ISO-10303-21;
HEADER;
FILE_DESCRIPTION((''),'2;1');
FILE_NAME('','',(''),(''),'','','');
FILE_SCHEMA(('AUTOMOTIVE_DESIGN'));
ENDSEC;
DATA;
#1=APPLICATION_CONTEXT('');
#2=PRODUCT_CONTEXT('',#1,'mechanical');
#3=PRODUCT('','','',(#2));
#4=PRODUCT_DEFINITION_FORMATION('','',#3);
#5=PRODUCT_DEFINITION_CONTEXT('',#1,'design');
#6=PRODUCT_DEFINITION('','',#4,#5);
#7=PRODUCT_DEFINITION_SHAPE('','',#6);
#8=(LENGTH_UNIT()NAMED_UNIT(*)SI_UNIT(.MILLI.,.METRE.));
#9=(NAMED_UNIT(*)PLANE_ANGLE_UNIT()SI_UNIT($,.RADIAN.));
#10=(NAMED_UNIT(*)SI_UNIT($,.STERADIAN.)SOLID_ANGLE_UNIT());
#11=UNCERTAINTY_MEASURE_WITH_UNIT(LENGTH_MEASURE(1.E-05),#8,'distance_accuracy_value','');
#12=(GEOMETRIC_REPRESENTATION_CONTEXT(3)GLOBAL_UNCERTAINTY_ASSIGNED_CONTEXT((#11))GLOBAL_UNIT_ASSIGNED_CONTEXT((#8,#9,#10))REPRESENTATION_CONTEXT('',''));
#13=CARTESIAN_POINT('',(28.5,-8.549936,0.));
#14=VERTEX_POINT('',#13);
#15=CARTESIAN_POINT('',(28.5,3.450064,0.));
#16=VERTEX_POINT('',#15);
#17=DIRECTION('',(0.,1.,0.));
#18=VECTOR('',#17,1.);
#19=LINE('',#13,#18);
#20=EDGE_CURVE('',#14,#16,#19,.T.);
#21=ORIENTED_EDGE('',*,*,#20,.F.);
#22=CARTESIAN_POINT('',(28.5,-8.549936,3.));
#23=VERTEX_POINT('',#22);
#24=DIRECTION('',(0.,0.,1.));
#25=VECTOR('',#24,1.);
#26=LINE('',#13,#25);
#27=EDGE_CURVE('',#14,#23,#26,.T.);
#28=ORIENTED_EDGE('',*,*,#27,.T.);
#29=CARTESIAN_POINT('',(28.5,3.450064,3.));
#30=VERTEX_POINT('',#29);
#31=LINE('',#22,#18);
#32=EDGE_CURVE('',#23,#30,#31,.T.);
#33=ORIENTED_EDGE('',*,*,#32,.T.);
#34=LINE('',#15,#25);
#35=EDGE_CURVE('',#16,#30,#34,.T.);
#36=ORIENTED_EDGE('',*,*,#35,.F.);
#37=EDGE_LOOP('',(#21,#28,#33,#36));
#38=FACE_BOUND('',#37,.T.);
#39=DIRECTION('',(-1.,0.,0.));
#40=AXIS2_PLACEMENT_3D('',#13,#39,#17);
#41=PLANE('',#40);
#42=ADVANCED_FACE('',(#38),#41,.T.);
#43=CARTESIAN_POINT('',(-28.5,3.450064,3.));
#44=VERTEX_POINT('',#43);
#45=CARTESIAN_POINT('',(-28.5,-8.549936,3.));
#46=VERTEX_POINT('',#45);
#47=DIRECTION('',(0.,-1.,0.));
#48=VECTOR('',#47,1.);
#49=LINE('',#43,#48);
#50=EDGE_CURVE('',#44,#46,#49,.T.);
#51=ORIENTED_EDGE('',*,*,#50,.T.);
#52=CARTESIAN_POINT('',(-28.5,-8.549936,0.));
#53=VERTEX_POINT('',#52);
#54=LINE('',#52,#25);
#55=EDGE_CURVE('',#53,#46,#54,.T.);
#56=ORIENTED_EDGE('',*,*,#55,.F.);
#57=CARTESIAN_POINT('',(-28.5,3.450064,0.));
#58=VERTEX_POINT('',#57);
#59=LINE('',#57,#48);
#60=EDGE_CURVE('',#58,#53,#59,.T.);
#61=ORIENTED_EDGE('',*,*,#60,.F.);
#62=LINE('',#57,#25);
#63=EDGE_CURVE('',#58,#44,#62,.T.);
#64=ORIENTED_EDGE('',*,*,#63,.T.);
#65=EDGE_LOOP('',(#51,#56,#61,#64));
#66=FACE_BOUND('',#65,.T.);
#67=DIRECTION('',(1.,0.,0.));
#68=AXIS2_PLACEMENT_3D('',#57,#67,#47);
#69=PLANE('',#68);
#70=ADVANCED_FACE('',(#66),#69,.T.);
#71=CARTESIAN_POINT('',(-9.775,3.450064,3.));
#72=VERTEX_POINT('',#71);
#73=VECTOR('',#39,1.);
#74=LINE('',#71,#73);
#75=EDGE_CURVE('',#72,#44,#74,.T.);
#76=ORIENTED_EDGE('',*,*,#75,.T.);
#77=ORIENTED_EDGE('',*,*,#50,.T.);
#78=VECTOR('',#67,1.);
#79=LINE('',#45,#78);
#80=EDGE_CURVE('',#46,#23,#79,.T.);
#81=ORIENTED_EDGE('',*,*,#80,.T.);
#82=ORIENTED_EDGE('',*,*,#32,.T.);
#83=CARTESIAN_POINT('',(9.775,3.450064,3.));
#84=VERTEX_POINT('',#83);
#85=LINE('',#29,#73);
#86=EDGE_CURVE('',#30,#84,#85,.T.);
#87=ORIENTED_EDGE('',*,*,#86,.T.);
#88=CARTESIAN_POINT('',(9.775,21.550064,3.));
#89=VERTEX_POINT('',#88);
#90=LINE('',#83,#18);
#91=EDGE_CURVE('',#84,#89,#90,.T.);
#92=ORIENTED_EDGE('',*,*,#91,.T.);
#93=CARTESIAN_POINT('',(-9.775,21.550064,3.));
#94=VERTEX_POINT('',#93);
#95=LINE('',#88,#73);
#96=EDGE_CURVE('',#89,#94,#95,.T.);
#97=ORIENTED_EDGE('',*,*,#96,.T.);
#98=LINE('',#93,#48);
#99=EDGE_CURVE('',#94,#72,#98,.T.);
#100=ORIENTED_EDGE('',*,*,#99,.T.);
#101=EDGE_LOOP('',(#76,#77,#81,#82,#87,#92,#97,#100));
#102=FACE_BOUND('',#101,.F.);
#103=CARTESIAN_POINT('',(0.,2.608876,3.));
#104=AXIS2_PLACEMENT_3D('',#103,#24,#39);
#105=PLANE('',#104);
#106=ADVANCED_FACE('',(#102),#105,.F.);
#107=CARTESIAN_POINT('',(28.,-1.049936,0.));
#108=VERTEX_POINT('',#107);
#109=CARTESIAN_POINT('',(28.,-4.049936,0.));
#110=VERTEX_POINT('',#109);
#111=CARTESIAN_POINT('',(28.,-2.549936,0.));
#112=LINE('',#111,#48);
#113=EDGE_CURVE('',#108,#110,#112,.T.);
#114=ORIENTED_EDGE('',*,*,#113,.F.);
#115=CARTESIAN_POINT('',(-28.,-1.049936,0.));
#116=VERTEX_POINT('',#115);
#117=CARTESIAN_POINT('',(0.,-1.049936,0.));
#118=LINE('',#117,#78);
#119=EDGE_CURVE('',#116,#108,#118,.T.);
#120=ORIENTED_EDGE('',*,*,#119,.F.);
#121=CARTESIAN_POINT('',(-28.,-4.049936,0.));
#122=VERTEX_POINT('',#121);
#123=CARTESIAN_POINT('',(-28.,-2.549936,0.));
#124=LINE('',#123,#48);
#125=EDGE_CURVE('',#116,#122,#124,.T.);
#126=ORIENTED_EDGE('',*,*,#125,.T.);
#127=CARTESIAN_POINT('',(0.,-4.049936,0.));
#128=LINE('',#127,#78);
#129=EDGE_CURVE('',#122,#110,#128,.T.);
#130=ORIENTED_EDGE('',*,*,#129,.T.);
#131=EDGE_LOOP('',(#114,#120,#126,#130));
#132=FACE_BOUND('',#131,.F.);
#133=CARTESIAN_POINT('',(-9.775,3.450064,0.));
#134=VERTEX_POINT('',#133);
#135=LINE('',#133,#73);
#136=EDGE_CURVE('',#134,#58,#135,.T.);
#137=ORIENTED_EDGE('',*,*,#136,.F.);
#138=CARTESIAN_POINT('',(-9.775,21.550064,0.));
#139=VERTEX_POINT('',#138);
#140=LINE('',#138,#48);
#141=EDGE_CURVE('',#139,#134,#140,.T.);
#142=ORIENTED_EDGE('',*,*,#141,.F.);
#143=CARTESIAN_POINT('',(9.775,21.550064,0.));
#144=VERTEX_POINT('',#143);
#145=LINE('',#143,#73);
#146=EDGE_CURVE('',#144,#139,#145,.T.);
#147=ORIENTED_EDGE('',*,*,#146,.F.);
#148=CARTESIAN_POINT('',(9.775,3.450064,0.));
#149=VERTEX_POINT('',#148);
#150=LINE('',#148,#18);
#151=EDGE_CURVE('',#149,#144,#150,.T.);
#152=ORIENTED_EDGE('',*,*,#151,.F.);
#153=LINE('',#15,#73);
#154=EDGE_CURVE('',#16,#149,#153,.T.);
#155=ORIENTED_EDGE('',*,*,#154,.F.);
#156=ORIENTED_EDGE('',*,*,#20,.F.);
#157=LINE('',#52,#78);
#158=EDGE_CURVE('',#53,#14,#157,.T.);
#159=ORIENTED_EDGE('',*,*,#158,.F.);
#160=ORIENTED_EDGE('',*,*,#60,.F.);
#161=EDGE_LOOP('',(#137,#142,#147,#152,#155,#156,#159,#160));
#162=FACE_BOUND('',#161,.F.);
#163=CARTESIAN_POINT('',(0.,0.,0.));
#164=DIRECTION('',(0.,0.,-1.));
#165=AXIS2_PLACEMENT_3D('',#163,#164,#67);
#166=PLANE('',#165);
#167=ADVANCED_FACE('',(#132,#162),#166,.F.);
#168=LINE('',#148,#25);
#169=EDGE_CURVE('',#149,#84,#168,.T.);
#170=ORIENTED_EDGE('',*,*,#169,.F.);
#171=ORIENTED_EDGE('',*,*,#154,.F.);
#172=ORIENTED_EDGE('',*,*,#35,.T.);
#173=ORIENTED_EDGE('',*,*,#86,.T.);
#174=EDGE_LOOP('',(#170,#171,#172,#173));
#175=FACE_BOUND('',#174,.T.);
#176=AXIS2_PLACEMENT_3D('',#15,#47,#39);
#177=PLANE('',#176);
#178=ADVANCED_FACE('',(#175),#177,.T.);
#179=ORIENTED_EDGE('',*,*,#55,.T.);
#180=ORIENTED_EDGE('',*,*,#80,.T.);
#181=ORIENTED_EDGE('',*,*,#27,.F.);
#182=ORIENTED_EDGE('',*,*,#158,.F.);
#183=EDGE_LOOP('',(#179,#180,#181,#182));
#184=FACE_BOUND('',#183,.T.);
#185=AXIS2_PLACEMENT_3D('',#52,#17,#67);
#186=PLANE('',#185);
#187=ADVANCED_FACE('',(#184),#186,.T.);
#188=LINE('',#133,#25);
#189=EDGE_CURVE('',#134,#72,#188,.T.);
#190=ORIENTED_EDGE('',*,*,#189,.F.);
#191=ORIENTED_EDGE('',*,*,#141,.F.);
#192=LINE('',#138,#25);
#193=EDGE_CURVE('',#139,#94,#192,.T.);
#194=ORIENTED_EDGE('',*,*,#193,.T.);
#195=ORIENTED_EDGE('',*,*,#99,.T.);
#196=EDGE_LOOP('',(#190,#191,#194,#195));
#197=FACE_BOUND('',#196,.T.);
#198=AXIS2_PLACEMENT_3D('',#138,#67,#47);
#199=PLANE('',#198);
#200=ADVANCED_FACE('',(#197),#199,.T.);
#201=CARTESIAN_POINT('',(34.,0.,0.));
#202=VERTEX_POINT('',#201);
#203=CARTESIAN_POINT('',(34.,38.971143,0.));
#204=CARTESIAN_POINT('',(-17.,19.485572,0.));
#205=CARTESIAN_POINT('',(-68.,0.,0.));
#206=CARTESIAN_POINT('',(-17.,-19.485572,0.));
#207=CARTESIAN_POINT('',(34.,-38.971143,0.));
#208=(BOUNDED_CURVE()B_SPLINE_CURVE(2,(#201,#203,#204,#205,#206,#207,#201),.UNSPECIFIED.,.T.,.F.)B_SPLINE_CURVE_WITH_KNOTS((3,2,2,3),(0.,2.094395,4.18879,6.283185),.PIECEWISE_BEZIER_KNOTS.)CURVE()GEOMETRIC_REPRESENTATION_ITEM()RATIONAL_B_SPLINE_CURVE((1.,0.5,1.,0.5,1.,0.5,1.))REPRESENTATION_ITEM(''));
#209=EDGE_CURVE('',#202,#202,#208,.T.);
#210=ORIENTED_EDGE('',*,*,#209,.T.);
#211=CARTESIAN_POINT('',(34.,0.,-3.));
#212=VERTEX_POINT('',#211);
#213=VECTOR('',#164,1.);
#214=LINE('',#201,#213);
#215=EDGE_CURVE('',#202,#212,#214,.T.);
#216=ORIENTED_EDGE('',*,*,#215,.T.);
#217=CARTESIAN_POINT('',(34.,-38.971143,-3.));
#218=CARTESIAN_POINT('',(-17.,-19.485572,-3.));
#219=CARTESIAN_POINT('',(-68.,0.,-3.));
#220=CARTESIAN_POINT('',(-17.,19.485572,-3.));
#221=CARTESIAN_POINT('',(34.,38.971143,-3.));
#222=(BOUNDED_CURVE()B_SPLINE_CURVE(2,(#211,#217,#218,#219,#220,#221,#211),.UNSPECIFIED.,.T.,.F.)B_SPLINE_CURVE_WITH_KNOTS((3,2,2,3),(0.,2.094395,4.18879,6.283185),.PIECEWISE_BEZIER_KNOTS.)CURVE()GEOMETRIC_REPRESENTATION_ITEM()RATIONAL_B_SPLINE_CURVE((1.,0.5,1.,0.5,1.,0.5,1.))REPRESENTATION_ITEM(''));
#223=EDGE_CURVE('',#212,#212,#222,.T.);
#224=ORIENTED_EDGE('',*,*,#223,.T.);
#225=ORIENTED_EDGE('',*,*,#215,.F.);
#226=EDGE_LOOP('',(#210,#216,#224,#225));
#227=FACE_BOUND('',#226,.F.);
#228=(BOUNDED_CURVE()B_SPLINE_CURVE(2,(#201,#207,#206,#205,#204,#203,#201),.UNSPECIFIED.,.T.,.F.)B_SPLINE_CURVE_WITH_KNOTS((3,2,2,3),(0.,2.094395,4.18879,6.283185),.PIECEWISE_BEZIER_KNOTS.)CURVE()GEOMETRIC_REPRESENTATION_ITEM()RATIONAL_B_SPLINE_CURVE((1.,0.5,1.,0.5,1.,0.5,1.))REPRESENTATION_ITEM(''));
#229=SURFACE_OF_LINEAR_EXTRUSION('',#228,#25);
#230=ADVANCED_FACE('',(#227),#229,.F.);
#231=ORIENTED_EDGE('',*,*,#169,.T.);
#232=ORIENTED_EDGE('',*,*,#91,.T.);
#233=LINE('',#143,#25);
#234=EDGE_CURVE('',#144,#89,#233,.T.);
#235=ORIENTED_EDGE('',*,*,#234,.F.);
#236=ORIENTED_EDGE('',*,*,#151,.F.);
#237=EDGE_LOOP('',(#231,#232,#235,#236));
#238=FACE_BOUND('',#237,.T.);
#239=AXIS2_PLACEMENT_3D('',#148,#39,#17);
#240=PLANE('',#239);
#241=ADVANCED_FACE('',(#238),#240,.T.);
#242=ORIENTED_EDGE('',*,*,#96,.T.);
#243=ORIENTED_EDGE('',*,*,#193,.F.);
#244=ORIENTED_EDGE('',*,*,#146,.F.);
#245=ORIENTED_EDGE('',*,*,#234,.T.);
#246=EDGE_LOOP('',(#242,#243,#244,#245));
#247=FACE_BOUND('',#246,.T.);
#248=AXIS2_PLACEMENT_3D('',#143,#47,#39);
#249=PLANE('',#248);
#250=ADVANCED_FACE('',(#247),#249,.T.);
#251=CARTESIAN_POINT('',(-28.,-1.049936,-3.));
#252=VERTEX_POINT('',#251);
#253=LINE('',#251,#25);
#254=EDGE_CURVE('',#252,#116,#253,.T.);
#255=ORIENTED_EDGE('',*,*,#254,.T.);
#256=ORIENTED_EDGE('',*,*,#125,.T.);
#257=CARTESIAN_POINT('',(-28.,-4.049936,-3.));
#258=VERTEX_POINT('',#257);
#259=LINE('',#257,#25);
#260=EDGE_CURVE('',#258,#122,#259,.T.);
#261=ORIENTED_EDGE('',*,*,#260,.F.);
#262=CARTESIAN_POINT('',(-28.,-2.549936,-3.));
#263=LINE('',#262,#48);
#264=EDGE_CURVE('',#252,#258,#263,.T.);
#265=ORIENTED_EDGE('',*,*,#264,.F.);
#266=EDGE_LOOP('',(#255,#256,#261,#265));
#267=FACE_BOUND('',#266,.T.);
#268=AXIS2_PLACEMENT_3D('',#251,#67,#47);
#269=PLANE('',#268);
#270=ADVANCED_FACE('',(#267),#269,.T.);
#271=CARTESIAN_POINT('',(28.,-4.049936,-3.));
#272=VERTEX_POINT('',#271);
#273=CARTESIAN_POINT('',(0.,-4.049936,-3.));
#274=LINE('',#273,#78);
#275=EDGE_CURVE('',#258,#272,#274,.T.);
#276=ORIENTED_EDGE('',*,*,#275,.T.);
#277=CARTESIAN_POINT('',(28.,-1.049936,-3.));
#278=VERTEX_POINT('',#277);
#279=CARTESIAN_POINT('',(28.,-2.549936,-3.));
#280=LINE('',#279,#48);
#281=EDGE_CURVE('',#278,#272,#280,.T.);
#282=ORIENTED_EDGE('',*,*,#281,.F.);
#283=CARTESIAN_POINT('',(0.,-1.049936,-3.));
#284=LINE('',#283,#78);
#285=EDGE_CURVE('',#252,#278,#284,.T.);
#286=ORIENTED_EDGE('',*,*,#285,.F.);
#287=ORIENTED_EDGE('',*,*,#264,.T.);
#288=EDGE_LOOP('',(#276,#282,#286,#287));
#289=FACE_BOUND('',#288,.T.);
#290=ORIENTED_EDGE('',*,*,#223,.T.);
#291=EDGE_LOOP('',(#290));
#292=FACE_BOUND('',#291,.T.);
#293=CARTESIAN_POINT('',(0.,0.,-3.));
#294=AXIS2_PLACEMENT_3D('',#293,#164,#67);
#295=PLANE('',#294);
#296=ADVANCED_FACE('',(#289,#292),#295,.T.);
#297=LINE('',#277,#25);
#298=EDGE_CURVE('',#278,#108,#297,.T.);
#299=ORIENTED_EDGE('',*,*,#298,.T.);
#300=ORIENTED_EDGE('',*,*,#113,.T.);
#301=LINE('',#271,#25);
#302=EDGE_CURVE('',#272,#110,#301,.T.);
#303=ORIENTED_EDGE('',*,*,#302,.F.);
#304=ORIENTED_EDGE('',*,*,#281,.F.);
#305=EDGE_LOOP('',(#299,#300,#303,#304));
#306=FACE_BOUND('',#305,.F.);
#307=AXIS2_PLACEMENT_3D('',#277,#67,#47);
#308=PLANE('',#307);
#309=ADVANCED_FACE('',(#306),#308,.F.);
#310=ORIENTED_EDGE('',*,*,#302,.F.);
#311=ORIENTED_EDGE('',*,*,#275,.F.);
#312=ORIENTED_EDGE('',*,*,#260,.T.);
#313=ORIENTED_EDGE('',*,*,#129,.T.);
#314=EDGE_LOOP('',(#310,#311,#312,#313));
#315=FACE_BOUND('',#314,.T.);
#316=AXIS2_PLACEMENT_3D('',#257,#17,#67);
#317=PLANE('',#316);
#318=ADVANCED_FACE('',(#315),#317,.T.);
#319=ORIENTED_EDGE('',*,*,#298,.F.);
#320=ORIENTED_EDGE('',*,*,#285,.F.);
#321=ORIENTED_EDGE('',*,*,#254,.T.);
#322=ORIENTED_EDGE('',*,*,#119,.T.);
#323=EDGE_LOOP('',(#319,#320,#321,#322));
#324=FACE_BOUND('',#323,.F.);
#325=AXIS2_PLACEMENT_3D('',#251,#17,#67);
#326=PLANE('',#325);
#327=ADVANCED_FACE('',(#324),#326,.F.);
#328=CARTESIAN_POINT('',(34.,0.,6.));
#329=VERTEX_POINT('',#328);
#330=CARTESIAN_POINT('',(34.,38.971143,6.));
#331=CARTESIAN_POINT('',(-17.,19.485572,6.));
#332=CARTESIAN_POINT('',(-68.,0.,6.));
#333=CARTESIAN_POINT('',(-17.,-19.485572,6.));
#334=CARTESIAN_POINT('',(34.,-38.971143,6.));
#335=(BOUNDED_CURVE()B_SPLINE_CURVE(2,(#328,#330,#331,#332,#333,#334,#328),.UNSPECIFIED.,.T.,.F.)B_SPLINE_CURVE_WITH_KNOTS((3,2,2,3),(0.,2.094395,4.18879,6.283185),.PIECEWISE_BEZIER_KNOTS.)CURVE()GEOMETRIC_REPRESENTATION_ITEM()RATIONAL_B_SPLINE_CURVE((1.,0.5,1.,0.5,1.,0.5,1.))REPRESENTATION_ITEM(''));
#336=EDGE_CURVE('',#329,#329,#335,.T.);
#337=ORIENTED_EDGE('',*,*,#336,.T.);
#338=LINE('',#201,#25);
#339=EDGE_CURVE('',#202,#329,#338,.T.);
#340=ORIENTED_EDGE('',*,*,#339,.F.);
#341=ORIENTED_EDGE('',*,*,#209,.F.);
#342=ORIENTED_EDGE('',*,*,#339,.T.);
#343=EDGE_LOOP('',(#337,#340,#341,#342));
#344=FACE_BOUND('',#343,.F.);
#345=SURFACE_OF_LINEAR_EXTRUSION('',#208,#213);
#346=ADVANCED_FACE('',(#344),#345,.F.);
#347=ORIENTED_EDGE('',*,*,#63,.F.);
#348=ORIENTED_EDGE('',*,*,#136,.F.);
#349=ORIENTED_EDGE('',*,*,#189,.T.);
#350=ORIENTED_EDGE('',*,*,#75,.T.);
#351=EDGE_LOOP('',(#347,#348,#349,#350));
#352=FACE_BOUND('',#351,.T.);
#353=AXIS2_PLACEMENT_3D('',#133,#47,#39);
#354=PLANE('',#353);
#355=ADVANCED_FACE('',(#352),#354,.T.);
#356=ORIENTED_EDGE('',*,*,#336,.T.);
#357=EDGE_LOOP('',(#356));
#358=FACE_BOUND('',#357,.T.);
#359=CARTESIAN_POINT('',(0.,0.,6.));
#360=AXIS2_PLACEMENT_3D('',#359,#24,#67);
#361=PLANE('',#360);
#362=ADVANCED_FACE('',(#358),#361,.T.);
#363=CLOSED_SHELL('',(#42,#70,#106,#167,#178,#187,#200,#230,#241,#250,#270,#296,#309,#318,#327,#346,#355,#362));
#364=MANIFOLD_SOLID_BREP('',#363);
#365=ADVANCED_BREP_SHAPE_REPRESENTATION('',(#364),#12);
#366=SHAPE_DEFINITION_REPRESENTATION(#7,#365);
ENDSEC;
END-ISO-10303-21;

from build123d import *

# Parameters (mm, degrees)
PAD_DEPTH       = 6
POCKET_DEPTH    = 3
PAD001_DEPTH    = 3
SKETCH003_W     = 56
SKETCH003_H     = 3
POCKET001_DEPTH = 3


with BuildPart() as part:
    # Sketch → Pad (new body)
    with BuildSketch(Plane.XY):
        with BuildLine():
            add(Edge.make_bspline(
                [(34, 0), (34, 38.971143), (-17, 19.485572), (-68, 0), (-17, -19.485572), (34, -38.971143), (34, 0)],
                knots=[0, 0, 0, 2.094395, 2.094395, 4.18879, 4.18879, 6.283185, 6.283185, 6.283185], degree=2, weights=[1, 0.5, 1, 0.5, 1, 0.5, 1]))
        make_face()
    extrude(amount=PAD_DEPTH)

    # Sketch001 (on Face2 of Pad) → Pocket (cut)
    with BuildSketch(Plane(origin=(0, 0, 0), x_dir=(1, 0, 0), z_dir=(0, 0, -1))):
        Polygon((9.775, -3.450064), (9.775, -21.550064), (-9.775, -21.550064), (-9.775, -3.450064), (-28.5, -3.450064), (-28.5, 8.549936), (28.5, 8.549936), (28.5, -3.450064), align=None)
    extrude(amount=-POCKET_DEPTH, mode=Mode.SUBTRACT)

    # Sketch002 (on Face2 of Pocket) → Pad001 (join)
    with BuildSketch(Plane(origin=(0, 0, 0), x_dir=(1, 0, 0), z_dir=(0, 0, -1))):
        with BuildLine():
            add(Edge.make_bspline(
                [(34, 0), (34, 38.971143), (-17, 19.485572), (-68, 0), (-17, -19.485572), (34, -38.971143), (34, 0)],
                knots=[0, 0, 0, 2.094395, 2.094395, 4.18879, 4.18879, 6.283185, 6.283185, 6.283185], degree=2, weights=[1, 0.5, 1, 0.5, 1, 0.5, 1]))
        make_face()
    extrude(amount=PAD001_DEPTH)

    # Sketch003 (on Face4 of Pad001) → Pocket001 (cut)
    with BuildSketch(Plane(origin=(0, 0, -3), x_dir=(1, 0, 0), z_dir=(0, 0, -1))):
        with Locations((0, 2.549936)):
            Rectangle(SKETCH003_W, SKETCH003_H)
    extrude(amount=-POCKET001_DEPTH, mode=Mode.SUBTRACT)


solid = part.part
